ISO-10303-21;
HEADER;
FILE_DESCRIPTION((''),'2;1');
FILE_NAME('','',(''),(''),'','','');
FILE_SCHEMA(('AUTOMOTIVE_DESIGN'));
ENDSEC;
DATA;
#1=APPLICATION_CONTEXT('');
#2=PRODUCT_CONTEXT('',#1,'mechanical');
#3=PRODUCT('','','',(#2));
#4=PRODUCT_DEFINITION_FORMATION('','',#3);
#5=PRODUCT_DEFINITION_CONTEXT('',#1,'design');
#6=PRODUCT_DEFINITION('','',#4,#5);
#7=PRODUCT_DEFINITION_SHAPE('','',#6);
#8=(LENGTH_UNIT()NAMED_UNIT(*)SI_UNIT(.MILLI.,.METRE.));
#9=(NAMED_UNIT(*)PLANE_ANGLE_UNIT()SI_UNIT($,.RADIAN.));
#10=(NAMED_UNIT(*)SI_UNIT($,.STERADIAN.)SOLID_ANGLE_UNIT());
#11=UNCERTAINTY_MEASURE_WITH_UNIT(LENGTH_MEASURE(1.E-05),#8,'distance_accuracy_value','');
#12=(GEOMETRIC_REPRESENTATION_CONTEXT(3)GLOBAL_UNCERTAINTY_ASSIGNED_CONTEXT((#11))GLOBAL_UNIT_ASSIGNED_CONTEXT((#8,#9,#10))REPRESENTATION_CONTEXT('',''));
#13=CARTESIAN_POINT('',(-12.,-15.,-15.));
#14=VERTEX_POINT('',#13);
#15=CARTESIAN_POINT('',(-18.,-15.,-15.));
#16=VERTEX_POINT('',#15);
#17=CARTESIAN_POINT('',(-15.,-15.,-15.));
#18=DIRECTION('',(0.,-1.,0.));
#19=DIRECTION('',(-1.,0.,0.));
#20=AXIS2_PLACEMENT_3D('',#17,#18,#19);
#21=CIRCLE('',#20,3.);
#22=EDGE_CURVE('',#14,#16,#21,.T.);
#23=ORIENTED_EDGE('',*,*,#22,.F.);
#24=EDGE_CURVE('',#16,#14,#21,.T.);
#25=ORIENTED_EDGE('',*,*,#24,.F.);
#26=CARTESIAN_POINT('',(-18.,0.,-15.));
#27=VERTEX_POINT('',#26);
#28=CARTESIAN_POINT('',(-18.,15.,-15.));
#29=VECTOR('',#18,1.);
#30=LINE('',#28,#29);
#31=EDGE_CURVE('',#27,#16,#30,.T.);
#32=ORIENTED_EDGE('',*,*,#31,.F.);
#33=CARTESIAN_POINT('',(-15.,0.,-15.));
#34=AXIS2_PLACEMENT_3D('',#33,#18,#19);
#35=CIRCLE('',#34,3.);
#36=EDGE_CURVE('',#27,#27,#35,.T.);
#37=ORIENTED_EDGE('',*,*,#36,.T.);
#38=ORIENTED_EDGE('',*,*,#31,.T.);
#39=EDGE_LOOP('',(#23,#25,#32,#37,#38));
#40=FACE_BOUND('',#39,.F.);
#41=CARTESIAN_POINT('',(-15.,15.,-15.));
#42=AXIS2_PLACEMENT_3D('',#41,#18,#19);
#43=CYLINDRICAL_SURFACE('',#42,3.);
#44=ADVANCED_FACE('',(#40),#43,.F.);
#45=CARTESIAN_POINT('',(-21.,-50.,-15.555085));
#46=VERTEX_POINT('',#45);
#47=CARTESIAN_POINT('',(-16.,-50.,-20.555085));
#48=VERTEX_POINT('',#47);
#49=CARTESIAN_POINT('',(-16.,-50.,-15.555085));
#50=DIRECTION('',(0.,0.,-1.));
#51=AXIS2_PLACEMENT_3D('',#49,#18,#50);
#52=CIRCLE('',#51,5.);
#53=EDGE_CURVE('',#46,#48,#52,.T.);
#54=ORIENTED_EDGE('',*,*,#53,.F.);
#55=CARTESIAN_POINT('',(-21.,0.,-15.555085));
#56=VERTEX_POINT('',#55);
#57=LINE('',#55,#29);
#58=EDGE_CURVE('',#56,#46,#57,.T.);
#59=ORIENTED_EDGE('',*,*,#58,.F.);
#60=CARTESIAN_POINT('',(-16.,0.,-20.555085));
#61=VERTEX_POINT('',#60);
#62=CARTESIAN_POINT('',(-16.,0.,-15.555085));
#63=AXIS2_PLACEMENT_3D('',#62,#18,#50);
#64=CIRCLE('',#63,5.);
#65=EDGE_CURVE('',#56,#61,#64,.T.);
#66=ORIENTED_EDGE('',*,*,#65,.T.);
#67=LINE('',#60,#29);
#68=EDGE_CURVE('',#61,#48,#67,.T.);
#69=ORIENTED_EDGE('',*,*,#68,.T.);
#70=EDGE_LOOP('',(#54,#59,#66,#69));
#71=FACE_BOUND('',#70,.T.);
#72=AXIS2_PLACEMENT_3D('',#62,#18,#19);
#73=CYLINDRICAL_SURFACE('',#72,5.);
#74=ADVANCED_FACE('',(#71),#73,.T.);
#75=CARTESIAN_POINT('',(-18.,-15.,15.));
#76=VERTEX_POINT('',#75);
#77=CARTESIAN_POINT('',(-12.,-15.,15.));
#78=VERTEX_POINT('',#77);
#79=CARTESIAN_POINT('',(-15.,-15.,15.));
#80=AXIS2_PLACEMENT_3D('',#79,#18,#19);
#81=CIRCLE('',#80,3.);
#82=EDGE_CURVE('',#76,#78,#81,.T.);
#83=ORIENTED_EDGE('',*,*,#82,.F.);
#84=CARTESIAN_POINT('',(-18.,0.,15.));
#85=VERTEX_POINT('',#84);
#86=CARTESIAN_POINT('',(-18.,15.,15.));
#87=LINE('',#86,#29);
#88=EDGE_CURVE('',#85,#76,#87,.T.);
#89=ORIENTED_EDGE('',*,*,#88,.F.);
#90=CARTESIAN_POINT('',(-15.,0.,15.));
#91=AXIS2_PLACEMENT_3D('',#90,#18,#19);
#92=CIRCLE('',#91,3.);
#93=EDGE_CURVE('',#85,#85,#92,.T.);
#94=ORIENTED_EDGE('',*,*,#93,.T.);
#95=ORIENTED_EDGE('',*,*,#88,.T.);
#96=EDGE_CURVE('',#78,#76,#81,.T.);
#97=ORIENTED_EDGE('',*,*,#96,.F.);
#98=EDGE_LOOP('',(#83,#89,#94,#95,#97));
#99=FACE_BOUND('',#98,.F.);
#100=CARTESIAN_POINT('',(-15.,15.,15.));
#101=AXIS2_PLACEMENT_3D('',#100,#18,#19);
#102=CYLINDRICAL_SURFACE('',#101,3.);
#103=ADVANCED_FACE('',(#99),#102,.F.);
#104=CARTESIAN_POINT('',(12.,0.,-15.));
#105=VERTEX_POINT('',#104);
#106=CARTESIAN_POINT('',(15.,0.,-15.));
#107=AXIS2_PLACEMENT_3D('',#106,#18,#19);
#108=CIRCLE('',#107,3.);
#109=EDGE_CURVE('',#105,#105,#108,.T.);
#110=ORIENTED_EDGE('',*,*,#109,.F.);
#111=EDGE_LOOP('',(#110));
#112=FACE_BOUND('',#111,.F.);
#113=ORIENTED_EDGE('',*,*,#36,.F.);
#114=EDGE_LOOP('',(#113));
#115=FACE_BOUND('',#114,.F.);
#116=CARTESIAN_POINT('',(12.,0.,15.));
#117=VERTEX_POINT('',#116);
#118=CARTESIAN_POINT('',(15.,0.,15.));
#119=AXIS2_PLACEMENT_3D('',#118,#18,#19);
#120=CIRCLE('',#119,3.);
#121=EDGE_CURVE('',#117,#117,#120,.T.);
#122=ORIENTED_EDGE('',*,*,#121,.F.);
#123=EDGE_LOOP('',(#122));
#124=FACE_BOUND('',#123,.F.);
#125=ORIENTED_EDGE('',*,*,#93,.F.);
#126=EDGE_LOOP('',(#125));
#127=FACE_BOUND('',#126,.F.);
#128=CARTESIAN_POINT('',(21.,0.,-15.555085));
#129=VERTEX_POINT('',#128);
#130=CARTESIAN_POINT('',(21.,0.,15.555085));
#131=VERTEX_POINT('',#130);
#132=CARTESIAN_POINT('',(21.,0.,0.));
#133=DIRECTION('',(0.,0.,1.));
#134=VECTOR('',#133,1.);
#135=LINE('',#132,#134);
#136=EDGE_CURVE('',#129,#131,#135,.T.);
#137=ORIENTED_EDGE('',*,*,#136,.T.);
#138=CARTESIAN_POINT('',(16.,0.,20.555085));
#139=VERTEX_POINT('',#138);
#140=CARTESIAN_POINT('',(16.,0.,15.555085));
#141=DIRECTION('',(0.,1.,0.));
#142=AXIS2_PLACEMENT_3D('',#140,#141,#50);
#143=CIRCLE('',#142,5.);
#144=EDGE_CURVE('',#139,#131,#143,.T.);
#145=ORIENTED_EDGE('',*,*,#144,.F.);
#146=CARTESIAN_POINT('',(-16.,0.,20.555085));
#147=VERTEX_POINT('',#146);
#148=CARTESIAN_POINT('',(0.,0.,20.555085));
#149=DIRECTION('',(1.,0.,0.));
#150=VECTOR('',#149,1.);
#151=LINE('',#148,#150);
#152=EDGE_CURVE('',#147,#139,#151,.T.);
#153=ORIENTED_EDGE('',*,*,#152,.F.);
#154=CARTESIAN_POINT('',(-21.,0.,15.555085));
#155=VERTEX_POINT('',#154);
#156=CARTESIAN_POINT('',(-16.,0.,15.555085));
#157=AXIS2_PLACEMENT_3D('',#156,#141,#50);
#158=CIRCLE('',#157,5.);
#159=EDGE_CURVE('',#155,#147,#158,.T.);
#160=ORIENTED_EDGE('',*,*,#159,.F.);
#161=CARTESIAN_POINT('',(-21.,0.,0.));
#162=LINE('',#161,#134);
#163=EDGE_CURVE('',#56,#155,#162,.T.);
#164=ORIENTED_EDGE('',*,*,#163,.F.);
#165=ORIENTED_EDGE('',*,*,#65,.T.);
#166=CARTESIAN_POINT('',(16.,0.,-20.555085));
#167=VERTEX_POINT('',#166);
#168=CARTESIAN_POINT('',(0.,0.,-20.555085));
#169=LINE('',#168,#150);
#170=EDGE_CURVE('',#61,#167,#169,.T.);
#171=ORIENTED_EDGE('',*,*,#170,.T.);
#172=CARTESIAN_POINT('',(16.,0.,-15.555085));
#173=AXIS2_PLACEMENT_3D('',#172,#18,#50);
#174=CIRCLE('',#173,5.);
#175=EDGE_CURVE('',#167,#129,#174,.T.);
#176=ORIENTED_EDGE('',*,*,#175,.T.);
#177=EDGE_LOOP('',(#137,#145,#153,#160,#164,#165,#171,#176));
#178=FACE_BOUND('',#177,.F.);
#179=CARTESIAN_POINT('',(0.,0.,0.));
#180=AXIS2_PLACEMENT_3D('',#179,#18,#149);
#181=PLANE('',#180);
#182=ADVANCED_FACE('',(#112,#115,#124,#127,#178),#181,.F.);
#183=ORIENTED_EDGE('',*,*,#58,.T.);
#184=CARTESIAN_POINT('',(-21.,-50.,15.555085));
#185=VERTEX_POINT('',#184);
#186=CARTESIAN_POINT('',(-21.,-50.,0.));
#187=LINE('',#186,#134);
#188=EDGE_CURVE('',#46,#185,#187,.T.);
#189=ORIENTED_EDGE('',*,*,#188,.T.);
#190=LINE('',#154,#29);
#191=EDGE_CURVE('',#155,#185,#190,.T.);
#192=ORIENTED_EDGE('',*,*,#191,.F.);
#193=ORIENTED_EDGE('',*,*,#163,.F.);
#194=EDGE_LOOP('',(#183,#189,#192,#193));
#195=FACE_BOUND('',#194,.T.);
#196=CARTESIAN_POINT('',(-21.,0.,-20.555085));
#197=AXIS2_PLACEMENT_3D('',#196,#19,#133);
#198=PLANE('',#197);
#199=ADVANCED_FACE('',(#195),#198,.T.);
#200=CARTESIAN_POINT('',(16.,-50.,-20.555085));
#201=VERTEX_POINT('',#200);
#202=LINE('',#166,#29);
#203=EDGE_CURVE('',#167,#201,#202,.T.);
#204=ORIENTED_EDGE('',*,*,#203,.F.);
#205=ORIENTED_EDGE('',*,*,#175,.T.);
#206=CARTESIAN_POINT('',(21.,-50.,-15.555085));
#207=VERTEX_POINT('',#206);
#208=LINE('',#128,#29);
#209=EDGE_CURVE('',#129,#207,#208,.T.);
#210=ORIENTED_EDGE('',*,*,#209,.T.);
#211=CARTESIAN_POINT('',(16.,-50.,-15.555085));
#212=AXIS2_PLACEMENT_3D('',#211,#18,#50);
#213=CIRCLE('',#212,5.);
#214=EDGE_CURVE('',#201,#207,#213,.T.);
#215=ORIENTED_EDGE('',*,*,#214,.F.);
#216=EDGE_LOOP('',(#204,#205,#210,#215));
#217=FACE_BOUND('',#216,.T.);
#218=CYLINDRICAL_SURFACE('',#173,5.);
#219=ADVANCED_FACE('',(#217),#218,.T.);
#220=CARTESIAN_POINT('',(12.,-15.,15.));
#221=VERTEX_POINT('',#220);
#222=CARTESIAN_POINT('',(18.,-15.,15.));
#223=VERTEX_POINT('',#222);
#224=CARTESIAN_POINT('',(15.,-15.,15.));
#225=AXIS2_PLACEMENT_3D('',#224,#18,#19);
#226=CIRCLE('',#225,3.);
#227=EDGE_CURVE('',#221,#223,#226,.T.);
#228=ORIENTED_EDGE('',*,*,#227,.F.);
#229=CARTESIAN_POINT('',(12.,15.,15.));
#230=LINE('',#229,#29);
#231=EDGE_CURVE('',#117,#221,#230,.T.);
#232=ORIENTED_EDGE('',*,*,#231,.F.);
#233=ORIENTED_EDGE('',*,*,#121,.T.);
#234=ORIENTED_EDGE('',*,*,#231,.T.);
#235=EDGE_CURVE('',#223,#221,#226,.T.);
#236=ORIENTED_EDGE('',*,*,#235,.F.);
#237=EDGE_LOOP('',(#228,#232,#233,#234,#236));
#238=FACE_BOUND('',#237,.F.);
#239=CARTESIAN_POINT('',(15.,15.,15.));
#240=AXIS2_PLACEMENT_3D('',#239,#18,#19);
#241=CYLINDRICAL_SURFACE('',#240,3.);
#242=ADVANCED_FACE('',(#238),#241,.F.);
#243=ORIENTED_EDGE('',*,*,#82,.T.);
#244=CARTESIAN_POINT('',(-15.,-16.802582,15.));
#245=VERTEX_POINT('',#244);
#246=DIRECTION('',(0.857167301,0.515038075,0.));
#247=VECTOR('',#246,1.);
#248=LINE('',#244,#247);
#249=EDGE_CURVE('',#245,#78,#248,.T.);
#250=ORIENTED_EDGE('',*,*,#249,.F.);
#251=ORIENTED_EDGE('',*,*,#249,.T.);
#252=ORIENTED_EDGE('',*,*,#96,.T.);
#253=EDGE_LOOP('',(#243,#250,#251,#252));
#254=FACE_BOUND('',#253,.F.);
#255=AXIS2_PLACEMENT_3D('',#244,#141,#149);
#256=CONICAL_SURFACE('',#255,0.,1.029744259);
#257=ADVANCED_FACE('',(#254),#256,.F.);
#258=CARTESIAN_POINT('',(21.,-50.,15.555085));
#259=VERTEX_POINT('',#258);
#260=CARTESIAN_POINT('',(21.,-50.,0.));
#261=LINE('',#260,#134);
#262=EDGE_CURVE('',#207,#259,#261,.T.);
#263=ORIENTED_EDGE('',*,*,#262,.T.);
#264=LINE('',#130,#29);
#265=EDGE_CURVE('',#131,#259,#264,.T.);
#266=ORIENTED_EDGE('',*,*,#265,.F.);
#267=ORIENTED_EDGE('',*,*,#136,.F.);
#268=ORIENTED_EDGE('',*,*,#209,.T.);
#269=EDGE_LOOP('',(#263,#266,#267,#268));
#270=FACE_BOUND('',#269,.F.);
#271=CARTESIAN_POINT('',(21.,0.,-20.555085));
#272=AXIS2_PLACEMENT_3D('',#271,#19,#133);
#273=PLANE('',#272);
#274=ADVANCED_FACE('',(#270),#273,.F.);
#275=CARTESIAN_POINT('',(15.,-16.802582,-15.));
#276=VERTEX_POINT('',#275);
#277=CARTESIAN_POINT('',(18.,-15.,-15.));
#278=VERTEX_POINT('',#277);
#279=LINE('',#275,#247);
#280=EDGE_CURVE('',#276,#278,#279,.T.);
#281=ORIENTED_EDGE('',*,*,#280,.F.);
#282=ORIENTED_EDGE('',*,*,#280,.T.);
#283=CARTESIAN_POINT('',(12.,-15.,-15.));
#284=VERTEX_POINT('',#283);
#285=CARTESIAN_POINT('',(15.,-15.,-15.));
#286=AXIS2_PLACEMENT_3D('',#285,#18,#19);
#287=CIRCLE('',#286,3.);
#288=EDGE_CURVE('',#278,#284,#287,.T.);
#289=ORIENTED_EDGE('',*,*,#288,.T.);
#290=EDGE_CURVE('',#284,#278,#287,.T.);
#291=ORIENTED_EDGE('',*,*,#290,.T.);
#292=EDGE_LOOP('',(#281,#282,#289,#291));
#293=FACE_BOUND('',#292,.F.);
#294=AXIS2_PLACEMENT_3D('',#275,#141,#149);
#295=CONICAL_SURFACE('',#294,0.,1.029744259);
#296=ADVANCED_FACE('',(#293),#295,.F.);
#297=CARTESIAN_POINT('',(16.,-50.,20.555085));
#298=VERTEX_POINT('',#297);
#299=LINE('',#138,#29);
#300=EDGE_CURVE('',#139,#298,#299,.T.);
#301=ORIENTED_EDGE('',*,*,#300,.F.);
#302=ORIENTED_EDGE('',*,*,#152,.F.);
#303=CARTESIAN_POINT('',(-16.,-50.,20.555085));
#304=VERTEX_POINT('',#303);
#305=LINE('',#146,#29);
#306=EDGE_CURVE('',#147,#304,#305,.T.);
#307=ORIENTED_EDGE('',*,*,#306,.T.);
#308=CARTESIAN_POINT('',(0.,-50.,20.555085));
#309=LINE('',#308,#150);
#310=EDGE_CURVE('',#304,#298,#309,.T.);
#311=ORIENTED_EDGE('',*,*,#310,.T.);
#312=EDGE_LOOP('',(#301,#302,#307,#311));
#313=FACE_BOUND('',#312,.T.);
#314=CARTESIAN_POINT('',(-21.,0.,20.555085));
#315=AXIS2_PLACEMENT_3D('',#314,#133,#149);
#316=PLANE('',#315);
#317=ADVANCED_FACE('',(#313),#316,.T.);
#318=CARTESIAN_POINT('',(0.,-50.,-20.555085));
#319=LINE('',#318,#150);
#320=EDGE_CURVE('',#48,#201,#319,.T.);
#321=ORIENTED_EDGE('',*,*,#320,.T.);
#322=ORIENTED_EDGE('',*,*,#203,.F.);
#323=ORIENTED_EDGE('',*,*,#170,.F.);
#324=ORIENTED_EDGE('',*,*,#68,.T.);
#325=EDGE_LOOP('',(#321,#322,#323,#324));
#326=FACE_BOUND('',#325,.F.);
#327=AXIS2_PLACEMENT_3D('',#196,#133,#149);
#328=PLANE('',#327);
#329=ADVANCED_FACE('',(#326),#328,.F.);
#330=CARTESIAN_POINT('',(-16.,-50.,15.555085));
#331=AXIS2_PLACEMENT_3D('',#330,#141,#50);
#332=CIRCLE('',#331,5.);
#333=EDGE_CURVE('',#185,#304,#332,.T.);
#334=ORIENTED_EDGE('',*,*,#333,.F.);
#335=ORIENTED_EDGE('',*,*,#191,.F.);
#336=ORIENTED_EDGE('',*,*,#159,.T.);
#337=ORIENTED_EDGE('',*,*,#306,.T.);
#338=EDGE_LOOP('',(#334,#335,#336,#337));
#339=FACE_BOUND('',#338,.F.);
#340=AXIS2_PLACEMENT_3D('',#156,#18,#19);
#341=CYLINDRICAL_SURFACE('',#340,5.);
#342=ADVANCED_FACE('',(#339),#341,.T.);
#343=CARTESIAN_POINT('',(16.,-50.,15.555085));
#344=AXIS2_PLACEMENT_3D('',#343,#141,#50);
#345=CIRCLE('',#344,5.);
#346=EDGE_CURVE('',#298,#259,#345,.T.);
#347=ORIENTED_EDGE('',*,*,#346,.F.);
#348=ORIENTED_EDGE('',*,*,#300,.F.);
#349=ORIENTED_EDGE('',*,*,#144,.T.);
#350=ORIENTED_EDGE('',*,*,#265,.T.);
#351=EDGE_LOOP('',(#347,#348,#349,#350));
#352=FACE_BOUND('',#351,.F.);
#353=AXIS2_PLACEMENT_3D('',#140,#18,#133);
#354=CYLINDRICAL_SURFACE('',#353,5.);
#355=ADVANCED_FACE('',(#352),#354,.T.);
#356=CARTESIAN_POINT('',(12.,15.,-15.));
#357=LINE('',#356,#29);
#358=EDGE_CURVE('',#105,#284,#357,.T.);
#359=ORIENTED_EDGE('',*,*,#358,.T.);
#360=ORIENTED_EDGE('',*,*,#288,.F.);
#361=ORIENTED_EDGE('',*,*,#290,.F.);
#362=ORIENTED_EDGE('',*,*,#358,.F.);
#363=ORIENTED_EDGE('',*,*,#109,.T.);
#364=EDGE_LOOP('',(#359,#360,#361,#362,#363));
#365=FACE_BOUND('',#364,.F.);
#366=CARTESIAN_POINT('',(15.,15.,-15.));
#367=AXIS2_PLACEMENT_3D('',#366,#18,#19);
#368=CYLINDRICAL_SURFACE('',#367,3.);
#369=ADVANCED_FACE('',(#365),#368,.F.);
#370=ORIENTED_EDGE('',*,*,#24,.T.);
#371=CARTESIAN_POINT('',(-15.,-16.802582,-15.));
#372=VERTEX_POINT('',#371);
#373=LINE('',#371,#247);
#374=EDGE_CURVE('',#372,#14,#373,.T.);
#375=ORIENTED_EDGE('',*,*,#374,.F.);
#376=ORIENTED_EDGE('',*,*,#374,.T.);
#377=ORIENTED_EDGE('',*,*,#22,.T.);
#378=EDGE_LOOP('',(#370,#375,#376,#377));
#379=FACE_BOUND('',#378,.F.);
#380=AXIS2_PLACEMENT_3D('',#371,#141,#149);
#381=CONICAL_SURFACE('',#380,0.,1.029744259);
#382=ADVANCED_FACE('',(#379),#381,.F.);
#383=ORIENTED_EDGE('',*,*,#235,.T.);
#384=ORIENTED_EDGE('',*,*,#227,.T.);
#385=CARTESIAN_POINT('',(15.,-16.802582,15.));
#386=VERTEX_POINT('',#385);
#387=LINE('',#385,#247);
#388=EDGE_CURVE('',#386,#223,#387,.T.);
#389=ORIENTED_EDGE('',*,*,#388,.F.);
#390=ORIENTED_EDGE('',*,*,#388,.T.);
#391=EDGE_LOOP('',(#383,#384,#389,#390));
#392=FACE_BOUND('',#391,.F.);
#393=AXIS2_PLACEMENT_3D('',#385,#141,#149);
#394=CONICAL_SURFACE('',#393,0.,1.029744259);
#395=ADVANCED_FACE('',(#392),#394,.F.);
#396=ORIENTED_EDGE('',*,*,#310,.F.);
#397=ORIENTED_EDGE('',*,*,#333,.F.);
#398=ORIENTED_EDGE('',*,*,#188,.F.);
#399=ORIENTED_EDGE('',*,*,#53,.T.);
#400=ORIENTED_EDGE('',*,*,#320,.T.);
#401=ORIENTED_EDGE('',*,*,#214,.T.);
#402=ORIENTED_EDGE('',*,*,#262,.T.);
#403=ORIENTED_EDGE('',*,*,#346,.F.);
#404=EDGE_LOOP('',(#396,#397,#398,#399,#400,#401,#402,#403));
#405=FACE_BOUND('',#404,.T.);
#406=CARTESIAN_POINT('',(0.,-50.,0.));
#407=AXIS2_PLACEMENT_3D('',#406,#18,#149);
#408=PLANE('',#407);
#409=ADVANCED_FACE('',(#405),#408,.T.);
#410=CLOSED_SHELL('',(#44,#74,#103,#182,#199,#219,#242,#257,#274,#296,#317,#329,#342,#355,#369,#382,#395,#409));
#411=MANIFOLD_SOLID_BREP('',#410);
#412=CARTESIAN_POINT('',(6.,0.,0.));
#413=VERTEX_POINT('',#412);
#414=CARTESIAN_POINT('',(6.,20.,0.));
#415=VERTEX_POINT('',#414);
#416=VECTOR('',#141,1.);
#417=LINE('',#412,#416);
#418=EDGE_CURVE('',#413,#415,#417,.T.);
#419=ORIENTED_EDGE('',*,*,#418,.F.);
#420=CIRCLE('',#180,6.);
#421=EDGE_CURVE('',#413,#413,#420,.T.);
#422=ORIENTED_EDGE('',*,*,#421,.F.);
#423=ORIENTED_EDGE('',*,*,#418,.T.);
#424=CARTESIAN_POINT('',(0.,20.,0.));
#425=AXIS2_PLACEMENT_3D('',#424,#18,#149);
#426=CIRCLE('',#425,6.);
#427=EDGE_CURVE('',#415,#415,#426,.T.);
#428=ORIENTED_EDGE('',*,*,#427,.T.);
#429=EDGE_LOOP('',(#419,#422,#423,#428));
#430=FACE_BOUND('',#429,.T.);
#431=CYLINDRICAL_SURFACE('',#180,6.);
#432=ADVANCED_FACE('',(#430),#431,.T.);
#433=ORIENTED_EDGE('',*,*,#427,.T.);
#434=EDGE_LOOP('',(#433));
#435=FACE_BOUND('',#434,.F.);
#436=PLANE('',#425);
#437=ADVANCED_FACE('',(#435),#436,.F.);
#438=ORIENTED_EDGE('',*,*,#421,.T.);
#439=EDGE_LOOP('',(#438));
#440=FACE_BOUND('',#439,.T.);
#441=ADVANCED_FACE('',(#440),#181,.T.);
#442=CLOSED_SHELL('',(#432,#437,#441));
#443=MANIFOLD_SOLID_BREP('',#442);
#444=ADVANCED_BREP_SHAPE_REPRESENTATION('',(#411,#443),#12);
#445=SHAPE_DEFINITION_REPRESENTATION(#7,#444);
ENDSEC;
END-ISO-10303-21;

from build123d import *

# Parameters (mm, degrees)
F0_W     = 42
F0_H     = 41.1101707086
F0_R     = 3
F0_R_2   = 6
F1_DEPTH = 50
F2_DEPTH = 20
F3_D     = 6
F3_DEPTH = 15
F3_TIP   = 1.8025818571
F4_R     = 5


with BuildPart() as f1:
    # F0 (on Front) → F1 (new body)
    with BuildSketch(Plane.XZ):
        Rectangle(F0_W, F0_H)
        with Locations((-15, -15)):
            Circle(F0_R, mode=Mode.SUBTRACT)
        with Locations((15, -15)):
            Circle(F0_R, mode=Mode.SUBTRACT)
        with Locations((-15, 15)):
            Circle(F0_R, mode=Mode.SUBTRACT)
        Circle(F0_R_2, mode=Mode.SUBTRACT)
        with Locations((15, 15)):
            Circle(F0_R, mode=Mode.SUBTRACT)
        with Locations((15, -15)):
            Circle(F0_R)
        Circle(F0_R_2)
        with Locations((15, 15)):
            Circle(F0_R)
        with Locations((-15, 15)):
            Circle(F0_R)
        with Locations((-15, -15)):
            Circle(F0_R)
    extrude(amount=F1_DEPTH)

    # F3
    with Locations(Plane(origin=(0, 0, 0), x_dir=(1, 0, 0), z_dir=(0, 1, 0))):
        with Locations((15, 15), (15, -15), (-15, -15), (-15, 15)):
            Hole(F3_D / 2, depth=F3_DEPTH)
            with Locations((0, 0, -(F3_DEPTH + F3_TIP / 2))):  # 118° drill point
                Cone(0, F3_D / 2, F3_TIP, mode=Mode.SUBTRACT)

    # F4
    f4_edges = [f1.edges().sort_by_distance(p)[0] for p in [
        (21, -25, -20.555085),
        (21, -25, 20.555085),
        (-21, -25, -20.555085),
        (-21, -25, 20.555085),
    ]]
    fillet(f4_edges, radius=F4_R)


with BuildPart() as f2:
    # F0 (on Front) → F2 (new body)
    with BuildSketch(Plane.XZ):
        Circle(F0_R_2)
    extrude(amount=-F2_DEPTH)


solid = Compound([f1.part, f2.part])
